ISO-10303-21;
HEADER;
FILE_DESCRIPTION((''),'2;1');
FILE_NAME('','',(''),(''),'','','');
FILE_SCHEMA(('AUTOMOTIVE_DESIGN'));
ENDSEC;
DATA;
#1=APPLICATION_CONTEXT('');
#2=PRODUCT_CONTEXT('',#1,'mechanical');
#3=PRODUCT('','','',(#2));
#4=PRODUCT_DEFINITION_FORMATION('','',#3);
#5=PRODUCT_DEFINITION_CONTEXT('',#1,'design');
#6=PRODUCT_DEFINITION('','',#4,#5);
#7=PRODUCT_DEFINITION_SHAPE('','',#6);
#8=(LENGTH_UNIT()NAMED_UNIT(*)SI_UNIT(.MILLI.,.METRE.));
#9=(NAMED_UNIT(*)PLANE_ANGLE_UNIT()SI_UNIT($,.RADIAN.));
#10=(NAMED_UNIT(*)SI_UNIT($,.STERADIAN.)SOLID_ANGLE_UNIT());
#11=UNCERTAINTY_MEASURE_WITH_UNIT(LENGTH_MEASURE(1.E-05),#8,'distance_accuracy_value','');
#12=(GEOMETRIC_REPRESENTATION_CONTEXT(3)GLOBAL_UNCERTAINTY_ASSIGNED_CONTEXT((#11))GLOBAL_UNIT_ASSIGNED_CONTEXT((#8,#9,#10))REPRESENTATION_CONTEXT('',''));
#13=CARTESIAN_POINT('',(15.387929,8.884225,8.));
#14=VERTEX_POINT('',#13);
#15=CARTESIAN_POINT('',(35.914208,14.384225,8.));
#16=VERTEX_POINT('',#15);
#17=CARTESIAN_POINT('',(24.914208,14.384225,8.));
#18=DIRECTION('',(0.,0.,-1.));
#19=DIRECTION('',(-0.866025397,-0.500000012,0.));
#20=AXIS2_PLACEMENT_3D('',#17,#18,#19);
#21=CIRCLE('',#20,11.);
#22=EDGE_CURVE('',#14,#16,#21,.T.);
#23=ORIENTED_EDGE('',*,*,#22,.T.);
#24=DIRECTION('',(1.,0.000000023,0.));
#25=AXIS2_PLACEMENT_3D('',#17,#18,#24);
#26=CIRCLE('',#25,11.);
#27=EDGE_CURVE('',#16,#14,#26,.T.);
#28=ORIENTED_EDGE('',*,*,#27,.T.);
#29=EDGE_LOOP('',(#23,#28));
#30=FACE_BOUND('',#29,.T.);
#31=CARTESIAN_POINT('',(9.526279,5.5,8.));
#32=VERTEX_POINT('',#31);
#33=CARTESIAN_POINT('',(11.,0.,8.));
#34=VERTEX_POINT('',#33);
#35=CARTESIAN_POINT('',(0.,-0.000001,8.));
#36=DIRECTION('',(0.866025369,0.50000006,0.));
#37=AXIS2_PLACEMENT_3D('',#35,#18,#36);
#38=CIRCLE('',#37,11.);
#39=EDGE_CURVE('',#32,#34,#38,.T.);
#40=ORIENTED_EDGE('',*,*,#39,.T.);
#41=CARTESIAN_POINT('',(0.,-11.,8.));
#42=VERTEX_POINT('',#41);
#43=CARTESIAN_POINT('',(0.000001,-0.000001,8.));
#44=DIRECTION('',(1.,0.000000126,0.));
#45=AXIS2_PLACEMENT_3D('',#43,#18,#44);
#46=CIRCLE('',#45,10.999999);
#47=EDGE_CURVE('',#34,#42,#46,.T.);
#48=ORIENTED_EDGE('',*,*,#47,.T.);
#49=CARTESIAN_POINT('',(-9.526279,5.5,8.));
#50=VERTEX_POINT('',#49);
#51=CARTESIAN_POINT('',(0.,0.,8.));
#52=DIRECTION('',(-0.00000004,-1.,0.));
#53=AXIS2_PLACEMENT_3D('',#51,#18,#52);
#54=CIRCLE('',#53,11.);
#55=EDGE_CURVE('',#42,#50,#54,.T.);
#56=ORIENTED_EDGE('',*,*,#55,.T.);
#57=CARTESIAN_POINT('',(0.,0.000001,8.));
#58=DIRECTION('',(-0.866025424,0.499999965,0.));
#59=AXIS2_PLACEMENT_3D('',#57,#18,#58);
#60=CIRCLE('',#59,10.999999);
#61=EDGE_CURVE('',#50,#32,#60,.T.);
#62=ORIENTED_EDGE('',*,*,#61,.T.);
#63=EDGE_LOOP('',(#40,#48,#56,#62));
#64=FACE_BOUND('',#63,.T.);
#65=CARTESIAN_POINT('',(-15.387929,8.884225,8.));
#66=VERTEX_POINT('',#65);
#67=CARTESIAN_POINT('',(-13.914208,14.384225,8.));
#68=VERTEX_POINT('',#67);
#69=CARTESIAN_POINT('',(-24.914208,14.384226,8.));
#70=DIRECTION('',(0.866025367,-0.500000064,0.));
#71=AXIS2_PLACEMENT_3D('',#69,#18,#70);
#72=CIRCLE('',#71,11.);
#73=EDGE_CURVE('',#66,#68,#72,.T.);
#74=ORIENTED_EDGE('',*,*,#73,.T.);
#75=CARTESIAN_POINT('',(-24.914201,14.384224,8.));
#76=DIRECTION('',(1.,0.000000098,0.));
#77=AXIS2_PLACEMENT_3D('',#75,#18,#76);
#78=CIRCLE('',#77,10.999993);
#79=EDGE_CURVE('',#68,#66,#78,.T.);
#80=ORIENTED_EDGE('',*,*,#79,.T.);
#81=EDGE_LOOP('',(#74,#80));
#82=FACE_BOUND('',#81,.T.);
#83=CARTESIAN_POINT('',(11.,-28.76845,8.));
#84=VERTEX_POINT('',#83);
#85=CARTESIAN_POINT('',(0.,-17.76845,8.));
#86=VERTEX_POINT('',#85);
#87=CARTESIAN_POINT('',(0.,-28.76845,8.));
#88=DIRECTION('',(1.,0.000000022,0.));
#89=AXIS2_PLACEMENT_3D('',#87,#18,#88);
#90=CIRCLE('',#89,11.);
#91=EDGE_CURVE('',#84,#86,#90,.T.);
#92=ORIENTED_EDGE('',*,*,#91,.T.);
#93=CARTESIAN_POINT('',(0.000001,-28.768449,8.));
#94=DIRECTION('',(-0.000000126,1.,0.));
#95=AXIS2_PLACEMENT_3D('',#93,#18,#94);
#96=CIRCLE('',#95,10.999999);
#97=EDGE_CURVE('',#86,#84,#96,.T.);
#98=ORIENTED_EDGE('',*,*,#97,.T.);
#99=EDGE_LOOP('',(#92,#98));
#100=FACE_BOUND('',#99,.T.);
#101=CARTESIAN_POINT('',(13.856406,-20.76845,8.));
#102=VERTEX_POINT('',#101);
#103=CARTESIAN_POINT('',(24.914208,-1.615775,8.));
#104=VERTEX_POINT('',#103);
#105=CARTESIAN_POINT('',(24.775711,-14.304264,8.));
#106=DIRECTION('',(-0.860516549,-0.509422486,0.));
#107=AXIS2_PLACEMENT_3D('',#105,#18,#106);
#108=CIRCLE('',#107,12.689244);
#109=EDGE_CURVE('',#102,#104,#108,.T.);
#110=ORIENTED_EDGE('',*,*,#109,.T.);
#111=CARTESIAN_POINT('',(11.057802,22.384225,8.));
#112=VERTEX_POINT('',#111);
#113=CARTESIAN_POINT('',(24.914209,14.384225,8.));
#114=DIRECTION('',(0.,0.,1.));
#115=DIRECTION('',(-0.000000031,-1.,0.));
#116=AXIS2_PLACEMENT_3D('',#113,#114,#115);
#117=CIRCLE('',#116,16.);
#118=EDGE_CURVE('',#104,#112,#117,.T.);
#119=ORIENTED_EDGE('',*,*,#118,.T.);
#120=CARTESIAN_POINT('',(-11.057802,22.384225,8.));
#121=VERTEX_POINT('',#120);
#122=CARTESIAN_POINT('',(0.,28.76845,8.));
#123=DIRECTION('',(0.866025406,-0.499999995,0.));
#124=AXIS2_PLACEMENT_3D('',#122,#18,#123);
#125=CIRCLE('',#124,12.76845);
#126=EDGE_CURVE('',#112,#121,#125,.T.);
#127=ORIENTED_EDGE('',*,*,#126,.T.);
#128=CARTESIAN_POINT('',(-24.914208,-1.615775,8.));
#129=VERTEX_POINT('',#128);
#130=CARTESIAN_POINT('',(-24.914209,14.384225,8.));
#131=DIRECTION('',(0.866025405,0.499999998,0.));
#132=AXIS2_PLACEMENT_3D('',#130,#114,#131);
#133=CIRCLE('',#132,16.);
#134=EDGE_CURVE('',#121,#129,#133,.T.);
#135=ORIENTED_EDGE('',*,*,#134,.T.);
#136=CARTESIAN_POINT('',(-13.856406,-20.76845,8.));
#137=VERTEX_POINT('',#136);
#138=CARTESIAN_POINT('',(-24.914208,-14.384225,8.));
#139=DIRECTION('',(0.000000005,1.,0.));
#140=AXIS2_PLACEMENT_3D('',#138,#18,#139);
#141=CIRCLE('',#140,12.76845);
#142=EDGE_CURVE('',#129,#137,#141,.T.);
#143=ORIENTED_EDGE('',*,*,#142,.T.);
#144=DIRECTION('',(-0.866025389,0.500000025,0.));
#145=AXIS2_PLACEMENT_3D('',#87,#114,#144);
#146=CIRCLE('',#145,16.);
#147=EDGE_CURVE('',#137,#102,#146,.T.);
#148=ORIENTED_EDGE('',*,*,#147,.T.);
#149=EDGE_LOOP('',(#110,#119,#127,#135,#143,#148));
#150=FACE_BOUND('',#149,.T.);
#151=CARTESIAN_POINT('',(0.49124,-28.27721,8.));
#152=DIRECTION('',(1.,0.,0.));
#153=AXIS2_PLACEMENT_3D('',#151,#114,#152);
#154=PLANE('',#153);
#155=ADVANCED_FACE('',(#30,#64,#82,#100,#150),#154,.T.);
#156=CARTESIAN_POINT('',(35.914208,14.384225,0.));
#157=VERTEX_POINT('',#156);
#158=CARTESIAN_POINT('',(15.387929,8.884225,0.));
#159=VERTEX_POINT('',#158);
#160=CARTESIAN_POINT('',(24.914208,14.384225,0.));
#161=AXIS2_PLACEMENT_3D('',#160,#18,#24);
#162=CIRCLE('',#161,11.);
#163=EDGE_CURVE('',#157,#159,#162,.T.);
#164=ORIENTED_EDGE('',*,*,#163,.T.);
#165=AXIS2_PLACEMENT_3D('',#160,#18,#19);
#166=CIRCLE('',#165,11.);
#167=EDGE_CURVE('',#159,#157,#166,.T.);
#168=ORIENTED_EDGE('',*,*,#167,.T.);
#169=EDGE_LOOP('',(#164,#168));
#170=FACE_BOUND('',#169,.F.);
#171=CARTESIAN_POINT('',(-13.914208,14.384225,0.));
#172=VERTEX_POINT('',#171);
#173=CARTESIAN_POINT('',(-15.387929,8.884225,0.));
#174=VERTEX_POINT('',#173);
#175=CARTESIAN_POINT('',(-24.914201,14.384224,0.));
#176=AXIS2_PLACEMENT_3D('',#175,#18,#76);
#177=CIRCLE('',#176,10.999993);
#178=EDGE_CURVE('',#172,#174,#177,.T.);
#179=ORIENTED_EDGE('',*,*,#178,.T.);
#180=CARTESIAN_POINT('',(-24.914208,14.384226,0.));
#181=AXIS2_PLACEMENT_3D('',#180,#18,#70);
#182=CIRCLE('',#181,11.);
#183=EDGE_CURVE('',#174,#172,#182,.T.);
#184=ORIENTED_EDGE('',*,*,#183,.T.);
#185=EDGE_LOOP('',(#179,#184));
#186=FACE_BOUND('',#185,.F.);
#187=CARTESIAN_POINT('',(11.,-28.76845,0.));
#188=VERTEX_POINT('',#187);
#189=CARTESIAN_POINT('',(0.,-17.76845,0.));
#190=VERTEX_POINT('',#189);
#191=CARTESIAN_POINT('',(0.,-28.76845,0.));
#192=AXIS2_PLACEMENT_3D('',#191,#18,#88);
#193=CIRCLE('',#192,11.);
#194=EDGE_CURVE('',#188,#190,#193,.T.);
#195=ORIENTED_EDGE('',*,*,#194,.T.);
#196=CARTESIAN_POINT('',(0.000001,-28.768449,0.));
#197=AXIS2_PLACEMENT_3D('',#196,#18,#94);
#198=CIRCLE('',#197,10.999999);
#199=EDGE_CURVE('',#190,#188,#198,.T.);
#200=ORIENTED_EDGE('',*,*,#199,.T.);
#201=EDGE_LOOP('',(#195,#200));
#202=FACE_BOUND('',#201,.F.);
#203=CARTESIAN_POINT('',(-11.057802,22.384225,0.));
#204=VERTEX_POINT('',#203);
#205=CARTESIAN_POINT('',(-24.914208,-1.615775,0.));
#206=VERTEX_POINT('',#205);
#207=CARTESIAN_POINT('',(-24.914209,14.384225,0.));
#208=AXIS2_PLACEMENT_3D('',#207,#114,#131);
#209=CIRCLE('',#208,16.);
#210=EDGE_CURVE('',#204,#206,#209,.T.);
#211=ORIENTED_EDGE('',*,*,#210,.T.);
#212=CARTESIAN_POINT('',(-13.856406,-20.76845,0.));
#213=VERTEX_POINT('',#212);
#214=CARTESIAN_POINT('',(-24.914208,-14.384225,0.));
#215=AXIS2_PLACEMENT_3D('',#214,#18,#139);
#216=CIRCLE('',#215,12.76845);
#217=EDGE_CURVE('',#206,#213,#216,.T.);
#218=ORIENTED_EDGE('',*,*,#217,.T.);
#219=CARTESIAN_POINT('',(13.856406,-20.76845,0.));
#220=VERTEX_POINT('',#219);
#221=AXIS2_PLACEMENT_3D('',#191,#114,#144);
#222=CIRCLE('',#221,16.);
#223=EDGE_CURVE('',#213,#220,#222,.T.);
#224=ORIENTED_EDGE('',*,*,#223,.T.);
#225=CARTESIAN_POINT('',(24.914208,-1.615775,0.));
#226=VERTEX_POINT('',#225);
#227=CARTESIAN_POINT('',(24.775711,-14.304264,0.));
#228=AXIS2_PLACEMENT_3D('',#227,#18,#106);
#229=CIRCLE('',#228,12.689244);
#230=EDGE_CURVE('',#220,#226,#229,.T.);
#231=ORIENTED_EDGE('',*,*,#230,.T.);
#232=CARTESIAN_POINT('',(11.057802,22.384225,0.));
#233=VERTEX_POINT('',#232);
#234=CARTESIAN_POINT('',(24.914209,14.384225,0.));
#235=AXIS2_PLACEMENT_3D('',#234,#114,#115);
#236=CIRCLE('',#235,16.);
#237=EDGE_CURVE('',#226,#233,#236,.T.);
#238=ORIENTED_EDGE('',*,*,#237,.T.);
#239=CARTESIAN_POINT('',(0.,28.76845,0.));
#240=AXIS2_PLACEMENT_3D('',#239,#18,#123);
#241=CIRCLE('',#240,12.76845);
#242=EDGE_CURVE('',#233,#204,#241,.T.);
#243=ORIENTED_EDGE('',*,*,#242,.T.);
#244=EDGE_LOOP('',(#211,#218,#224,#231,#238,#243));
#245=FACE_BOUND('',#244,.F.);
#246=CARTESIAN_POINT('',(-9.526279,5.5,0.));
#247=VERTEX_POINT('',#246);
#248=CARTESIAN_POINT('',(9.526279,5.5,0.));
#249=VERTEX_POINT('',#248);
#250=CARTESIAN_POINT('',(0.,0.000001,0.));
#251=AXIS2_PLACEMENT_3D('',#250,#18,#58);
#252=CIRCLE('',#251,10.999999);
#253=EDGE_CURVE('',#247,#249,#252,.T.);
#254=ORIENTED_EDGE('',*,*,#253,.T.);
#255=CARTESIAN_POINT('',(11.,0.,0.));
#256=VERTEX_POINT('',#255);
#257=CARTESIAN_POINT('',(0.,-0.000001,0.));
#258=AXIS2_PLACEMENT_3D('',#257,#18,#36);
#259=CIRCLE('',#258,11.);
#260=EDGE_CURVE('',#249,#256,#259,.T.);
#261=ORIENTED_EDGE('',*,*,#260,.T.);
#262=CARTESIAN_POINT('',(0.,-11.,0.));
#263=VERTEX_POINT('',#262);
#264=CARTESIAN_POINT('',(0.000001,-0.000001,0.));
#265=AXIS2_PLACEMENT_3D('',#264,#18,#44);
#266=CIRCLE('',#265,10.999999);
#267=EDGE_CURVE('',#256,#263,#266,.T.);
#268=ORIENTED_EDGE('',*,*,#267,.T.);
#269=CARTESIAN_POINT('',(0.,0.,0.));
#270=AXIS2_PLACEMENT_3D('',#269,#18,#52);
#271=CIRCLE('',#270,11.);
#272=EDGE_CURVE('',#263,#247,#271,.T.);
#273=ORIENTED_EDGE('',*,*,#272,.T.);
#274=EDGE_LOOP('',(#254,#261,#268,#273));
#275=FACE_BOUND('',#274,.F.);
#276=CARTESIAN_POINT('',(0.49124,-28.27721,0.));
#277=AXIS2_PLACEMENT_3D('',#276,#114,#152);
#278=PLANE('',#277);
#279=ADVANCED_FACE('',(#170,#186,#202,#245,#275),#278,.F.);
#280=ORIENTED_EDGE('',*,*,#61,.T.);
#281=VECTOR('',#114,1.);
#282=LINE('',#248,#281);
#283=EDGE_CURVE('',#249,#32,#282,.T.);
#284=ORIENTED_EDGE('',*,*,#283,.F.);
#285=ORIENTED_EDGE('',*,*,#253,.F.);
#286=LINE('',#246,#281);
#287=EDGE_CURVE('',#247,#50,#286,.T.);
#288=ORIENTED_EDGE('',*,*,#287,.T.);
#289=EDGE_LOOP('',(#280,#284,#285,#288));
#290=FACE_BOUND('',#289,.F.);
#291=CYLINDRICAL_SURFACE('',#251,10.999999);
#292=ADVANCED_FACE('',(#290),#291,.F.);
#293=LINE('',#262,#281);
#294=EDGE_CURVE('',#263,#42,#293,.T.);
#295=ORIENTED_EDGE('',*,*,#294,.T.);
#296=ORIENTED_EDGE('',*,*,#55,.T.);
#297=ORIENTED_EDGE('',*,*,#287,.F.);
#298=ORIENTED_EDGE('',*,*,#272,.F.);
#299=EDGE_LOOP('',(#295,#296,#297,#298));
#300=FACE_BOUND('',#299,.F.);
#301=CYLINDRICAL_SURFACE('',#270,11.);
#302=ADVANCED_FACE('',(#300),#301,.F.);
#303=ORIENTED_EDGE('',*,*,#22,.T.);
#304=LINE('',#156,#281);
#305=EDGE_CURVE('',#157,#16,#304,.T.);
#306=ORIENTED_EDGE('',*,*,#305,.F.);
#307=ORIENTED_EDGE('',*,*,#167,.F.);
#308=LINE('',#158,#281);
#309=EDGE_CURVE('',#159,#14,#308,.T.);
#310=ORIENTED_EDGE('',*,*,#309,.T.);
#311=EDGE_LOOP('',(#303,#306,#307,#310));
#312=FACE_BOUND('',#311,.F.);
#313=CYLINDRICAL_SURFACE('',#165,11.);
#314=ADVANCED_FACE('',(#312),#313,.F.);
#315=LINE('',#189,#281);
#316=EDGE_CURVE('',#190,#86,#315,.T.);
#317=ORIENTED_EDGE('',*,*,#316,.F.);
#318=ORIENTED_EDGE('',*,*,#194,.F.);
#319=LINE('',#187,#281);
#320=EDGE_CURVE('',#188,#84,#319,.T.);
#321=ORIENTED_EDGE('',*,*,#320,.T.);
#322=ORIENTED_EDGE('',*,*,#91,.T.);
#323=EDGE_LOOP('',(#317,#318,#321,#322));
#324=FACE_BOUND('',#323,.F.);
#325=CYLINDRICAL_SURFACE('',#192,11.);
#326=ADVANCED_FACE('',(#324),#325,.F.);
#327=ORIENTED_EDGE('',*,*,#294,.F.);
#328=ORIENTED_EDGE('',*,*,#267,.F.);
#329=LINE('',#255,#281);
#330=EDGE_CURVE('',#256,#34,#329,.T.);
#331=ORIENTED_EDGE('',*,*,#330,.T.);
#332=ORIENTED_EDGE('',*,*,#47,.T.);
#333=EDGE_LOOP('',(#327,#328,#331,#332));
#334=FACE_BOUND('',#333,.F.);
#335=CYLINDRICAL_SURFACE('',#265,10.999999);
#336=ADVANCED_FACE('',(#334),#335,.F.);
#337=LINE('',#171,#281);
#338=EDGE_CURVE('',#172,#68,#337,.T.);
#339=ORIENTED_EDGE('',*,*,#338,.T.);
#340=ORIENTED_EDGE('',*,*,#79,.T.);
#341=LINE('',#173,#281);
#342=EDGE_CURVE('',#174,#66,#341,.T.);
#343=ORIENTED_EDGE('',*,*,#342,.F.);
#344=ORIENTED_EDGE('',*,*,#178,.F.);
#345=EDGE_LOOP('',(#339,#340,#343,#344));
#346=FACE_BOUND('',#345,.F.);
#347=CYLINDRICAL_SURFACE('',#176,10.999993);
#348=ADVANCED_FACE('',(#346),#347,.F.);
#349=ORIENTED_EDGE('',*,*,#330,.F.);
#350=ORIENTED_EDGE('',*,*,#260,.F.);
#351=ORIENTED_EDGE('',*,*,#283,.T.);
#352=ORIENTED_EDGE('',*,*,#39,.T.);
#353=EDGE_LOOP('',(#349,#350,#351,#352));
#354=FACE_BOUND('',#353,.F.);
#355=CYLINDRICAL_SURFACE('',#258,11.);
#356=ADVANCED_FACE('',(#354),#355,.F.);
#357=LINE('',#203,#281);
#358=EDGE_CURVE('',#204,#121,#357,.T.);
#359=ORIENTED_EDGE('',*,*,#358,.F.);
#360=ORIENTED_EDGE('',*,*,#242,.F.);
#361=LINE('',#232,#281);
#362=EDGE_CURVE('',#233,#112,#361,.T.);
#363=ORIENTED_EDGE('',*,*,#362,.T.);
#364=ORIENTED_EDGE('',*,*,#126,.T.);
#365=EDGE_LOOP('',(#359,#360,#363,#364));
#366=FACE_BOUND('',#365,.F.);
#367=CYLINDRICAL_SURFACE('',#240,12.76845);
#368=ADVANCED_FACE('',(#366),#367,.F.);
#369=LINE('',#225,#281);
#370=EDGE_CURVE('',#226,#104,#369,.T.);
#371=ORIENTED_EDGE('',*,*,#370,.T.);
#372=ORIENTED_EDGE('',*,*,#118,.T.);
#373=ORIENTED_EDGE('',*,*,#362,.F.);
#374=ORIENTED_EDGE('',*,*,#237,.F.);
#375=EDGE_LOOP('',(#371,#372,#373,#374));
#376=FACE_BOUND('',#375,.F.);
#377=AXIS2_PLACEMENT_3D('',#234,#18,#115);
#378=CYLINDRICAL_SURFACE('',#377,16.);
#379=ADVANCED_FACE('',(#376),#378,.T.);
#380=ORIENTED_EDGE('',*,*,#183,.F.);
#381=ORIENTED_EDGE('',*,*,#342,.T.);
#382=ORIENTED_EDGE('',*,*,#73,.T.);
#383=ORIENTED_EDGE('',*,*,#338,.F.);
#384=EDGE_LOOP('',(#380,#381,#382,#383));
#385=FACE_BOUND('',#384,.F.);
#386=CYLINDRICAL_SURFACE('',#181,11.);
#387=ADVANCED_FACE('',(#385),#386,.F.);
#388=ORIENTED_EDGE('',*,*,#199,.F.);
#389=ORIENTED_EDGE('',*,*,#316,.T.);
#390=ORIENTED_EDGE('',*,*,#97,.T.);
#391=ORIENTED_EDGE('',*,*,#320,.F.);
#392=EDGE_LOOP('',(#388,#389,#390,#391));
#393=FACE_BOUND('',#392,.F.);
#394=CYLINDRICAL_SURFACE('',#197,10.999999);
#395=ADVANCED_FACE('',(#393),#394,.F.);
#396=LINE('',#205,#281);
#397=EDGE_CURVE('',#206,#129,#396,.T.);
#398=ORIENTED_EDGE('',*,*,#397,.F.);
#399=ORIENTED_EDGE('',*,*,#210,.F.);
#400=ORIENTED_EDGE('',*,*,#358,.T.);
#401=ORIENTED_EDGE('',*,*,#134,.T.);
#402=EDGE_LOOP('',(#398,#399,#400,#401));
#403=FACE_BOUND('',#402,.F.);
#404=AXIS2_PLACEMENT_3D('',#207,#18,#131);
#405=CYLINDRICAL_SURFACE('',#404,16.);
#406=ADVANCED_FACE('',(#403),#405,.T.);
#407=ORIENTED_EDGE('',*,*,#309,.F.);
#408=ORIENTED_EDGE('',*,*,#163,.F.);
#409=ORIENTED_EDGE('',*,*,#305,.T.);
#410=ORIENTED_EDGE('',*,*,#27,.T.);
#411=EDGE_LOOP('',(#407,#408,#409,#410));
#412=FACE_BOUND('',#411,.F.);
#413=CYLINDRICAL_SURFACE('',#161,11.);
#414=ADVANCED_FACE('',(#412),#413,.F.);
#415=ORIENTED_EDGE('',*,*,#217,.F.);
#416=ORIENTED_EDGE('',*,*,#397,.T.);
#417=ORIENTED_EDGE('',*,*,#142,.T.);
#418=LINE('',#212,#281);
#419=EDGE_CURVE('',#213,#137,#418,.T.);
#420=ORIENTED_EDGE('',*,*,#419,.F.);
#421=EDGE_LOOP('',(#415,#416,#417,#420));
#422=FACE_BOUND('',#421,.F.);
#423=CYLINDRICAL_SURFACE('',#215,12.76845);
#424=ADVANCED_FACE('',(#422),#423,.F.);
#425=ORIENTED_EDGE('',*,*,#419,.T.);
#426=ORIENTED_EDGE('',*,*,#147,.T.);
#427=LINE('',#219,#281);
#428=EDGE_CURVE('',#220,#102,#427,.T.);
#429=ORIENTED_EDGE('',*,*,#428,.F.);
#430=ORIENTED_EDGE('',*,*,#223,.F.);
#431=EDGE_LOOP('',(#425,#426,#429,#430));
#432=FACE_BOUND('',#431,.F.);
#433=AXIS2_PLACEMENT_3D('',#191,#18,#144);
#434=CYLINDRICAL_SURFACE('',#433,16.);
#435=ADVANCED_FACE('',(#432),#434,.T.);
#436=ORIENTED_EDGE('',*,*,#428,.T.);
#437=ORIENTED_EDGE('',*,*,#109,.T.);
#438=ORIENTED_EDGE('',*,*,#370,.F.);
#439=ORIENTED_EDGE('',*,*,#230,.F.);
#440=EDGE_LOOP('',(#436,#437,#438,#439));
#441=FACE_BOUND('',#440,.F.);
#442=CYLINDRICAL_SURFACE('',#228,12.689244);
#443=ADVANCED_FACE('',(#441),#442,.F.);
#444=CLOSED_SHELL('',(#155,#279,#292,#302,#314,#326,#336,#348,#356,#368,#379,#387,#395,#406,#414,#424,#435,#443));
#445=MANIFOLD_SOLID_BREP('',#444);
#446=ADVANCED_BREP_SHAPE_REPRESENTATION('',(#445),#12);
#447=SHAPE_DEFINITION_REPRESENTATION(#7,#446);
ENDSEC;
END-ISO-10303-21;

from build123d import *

# Parameters (mm, degrees)
F1_DEPTH = 8


with BuildPart() as f1:
    # F0 (on Top) → F1 (new body)
    with BuildSketch(Plane.XY):
        with BuildLine():
            ThreePointArc((11, -28.76845), (7.778175, -20.990275), (0, -17.76845))
            ThreePointArc((0, -17.76845), (-7.778175, -36.546625), (11, -28.76845))
        make_face()
        with BuildLine():
            ThreePointArc((-13.914208, 14.384225), (-35.539393, 17.231234), (-15.387929, 8.884225))
            ThreePointArc((-15.387929, 8.884225), (-14.289024, 11.537215), (-13.914208, 14.384225))
        make_face()
        with BuildLine():
            ThreePointArc((35.914208, 14.384225), (22.067199, 25.009409), (15.387929, 8.884225))
            ThreePointArc((15.387929, 8.884225), (27.761218, 3.759041), (35.914208, 14.384225))
        make_face()
        with BuildLine():
            ThreePointArc((24.914208, -1.615775), (38.770615, 22.384225), (11.057802, 22.384225))
            ThreePointArc((11.057802, 22.384225), (0, 16), (-11.057802, 22.384225))
            ThreePointArc((-11.057802, 22.384225), (-38.770615, 22.384225), (-24.914208, -1.615775))
            ThreePointArc((-24.914208, -1.615775), (-13.856406, -8), (-13.856406, -20.76845))
            ThreePointArc((-13.856406, -20.76845), (0, -44.76845), (13.856406, -20.76845))
            ThreePointArc((13.856406, -20.76845), (13.786503, -7.959641), (24.914208, -1.615775))
        make_face()
        with BuildLine():
            ThreePointArc((11, -28.76845), (-7.778175, -36.546625), (0, -17.76845))
            ThreePointArc((0, -17.76845), (7.778175, -20.990275), (11, -28.76845))
        make_face(mode=Mode.SUBTRACT)
        with BuildLine():
            ThreePointArc((-13.914208, 14.384225), (-14.289024, 11.537215), (-15.387929, 8.884225))
            ThreePointArc((-15.387929, 8.884225), (-35.539393, 17.231234), (-13.914208, 14.384225))
        make_face(mode=Mode.SUBTRACT)
        with BuildLine():
            ThreePointArc((11, 0), (7.778175, -7.778175), (0, -11))
            ThreePointArc((0, -11), (-9.526279, -5.5), (-9.526279, 5.5))
            ThreePointArc((-9.526279, 5.5), (0, 11), (9.526279, 5.5))
            ThreePointArc((9.526279, 5.5), (10.625184, 2.847009), (11, 0))
        make_face(mode=Mode.SUBTRACT)
        with BuildLine():
            ThreePointArc((35.914208, 14.384225), (27.761218, 3.759041), (15.387929, 8.884225))
            ThreePointArc((15.387929, 8.884225), (22.067199, 25.009409), (35.914208, 14.384225))
        make_face(mode=Mode.SUBTRACT)
    extrude(amount=F1_DEPTH)


solid = f1.part
